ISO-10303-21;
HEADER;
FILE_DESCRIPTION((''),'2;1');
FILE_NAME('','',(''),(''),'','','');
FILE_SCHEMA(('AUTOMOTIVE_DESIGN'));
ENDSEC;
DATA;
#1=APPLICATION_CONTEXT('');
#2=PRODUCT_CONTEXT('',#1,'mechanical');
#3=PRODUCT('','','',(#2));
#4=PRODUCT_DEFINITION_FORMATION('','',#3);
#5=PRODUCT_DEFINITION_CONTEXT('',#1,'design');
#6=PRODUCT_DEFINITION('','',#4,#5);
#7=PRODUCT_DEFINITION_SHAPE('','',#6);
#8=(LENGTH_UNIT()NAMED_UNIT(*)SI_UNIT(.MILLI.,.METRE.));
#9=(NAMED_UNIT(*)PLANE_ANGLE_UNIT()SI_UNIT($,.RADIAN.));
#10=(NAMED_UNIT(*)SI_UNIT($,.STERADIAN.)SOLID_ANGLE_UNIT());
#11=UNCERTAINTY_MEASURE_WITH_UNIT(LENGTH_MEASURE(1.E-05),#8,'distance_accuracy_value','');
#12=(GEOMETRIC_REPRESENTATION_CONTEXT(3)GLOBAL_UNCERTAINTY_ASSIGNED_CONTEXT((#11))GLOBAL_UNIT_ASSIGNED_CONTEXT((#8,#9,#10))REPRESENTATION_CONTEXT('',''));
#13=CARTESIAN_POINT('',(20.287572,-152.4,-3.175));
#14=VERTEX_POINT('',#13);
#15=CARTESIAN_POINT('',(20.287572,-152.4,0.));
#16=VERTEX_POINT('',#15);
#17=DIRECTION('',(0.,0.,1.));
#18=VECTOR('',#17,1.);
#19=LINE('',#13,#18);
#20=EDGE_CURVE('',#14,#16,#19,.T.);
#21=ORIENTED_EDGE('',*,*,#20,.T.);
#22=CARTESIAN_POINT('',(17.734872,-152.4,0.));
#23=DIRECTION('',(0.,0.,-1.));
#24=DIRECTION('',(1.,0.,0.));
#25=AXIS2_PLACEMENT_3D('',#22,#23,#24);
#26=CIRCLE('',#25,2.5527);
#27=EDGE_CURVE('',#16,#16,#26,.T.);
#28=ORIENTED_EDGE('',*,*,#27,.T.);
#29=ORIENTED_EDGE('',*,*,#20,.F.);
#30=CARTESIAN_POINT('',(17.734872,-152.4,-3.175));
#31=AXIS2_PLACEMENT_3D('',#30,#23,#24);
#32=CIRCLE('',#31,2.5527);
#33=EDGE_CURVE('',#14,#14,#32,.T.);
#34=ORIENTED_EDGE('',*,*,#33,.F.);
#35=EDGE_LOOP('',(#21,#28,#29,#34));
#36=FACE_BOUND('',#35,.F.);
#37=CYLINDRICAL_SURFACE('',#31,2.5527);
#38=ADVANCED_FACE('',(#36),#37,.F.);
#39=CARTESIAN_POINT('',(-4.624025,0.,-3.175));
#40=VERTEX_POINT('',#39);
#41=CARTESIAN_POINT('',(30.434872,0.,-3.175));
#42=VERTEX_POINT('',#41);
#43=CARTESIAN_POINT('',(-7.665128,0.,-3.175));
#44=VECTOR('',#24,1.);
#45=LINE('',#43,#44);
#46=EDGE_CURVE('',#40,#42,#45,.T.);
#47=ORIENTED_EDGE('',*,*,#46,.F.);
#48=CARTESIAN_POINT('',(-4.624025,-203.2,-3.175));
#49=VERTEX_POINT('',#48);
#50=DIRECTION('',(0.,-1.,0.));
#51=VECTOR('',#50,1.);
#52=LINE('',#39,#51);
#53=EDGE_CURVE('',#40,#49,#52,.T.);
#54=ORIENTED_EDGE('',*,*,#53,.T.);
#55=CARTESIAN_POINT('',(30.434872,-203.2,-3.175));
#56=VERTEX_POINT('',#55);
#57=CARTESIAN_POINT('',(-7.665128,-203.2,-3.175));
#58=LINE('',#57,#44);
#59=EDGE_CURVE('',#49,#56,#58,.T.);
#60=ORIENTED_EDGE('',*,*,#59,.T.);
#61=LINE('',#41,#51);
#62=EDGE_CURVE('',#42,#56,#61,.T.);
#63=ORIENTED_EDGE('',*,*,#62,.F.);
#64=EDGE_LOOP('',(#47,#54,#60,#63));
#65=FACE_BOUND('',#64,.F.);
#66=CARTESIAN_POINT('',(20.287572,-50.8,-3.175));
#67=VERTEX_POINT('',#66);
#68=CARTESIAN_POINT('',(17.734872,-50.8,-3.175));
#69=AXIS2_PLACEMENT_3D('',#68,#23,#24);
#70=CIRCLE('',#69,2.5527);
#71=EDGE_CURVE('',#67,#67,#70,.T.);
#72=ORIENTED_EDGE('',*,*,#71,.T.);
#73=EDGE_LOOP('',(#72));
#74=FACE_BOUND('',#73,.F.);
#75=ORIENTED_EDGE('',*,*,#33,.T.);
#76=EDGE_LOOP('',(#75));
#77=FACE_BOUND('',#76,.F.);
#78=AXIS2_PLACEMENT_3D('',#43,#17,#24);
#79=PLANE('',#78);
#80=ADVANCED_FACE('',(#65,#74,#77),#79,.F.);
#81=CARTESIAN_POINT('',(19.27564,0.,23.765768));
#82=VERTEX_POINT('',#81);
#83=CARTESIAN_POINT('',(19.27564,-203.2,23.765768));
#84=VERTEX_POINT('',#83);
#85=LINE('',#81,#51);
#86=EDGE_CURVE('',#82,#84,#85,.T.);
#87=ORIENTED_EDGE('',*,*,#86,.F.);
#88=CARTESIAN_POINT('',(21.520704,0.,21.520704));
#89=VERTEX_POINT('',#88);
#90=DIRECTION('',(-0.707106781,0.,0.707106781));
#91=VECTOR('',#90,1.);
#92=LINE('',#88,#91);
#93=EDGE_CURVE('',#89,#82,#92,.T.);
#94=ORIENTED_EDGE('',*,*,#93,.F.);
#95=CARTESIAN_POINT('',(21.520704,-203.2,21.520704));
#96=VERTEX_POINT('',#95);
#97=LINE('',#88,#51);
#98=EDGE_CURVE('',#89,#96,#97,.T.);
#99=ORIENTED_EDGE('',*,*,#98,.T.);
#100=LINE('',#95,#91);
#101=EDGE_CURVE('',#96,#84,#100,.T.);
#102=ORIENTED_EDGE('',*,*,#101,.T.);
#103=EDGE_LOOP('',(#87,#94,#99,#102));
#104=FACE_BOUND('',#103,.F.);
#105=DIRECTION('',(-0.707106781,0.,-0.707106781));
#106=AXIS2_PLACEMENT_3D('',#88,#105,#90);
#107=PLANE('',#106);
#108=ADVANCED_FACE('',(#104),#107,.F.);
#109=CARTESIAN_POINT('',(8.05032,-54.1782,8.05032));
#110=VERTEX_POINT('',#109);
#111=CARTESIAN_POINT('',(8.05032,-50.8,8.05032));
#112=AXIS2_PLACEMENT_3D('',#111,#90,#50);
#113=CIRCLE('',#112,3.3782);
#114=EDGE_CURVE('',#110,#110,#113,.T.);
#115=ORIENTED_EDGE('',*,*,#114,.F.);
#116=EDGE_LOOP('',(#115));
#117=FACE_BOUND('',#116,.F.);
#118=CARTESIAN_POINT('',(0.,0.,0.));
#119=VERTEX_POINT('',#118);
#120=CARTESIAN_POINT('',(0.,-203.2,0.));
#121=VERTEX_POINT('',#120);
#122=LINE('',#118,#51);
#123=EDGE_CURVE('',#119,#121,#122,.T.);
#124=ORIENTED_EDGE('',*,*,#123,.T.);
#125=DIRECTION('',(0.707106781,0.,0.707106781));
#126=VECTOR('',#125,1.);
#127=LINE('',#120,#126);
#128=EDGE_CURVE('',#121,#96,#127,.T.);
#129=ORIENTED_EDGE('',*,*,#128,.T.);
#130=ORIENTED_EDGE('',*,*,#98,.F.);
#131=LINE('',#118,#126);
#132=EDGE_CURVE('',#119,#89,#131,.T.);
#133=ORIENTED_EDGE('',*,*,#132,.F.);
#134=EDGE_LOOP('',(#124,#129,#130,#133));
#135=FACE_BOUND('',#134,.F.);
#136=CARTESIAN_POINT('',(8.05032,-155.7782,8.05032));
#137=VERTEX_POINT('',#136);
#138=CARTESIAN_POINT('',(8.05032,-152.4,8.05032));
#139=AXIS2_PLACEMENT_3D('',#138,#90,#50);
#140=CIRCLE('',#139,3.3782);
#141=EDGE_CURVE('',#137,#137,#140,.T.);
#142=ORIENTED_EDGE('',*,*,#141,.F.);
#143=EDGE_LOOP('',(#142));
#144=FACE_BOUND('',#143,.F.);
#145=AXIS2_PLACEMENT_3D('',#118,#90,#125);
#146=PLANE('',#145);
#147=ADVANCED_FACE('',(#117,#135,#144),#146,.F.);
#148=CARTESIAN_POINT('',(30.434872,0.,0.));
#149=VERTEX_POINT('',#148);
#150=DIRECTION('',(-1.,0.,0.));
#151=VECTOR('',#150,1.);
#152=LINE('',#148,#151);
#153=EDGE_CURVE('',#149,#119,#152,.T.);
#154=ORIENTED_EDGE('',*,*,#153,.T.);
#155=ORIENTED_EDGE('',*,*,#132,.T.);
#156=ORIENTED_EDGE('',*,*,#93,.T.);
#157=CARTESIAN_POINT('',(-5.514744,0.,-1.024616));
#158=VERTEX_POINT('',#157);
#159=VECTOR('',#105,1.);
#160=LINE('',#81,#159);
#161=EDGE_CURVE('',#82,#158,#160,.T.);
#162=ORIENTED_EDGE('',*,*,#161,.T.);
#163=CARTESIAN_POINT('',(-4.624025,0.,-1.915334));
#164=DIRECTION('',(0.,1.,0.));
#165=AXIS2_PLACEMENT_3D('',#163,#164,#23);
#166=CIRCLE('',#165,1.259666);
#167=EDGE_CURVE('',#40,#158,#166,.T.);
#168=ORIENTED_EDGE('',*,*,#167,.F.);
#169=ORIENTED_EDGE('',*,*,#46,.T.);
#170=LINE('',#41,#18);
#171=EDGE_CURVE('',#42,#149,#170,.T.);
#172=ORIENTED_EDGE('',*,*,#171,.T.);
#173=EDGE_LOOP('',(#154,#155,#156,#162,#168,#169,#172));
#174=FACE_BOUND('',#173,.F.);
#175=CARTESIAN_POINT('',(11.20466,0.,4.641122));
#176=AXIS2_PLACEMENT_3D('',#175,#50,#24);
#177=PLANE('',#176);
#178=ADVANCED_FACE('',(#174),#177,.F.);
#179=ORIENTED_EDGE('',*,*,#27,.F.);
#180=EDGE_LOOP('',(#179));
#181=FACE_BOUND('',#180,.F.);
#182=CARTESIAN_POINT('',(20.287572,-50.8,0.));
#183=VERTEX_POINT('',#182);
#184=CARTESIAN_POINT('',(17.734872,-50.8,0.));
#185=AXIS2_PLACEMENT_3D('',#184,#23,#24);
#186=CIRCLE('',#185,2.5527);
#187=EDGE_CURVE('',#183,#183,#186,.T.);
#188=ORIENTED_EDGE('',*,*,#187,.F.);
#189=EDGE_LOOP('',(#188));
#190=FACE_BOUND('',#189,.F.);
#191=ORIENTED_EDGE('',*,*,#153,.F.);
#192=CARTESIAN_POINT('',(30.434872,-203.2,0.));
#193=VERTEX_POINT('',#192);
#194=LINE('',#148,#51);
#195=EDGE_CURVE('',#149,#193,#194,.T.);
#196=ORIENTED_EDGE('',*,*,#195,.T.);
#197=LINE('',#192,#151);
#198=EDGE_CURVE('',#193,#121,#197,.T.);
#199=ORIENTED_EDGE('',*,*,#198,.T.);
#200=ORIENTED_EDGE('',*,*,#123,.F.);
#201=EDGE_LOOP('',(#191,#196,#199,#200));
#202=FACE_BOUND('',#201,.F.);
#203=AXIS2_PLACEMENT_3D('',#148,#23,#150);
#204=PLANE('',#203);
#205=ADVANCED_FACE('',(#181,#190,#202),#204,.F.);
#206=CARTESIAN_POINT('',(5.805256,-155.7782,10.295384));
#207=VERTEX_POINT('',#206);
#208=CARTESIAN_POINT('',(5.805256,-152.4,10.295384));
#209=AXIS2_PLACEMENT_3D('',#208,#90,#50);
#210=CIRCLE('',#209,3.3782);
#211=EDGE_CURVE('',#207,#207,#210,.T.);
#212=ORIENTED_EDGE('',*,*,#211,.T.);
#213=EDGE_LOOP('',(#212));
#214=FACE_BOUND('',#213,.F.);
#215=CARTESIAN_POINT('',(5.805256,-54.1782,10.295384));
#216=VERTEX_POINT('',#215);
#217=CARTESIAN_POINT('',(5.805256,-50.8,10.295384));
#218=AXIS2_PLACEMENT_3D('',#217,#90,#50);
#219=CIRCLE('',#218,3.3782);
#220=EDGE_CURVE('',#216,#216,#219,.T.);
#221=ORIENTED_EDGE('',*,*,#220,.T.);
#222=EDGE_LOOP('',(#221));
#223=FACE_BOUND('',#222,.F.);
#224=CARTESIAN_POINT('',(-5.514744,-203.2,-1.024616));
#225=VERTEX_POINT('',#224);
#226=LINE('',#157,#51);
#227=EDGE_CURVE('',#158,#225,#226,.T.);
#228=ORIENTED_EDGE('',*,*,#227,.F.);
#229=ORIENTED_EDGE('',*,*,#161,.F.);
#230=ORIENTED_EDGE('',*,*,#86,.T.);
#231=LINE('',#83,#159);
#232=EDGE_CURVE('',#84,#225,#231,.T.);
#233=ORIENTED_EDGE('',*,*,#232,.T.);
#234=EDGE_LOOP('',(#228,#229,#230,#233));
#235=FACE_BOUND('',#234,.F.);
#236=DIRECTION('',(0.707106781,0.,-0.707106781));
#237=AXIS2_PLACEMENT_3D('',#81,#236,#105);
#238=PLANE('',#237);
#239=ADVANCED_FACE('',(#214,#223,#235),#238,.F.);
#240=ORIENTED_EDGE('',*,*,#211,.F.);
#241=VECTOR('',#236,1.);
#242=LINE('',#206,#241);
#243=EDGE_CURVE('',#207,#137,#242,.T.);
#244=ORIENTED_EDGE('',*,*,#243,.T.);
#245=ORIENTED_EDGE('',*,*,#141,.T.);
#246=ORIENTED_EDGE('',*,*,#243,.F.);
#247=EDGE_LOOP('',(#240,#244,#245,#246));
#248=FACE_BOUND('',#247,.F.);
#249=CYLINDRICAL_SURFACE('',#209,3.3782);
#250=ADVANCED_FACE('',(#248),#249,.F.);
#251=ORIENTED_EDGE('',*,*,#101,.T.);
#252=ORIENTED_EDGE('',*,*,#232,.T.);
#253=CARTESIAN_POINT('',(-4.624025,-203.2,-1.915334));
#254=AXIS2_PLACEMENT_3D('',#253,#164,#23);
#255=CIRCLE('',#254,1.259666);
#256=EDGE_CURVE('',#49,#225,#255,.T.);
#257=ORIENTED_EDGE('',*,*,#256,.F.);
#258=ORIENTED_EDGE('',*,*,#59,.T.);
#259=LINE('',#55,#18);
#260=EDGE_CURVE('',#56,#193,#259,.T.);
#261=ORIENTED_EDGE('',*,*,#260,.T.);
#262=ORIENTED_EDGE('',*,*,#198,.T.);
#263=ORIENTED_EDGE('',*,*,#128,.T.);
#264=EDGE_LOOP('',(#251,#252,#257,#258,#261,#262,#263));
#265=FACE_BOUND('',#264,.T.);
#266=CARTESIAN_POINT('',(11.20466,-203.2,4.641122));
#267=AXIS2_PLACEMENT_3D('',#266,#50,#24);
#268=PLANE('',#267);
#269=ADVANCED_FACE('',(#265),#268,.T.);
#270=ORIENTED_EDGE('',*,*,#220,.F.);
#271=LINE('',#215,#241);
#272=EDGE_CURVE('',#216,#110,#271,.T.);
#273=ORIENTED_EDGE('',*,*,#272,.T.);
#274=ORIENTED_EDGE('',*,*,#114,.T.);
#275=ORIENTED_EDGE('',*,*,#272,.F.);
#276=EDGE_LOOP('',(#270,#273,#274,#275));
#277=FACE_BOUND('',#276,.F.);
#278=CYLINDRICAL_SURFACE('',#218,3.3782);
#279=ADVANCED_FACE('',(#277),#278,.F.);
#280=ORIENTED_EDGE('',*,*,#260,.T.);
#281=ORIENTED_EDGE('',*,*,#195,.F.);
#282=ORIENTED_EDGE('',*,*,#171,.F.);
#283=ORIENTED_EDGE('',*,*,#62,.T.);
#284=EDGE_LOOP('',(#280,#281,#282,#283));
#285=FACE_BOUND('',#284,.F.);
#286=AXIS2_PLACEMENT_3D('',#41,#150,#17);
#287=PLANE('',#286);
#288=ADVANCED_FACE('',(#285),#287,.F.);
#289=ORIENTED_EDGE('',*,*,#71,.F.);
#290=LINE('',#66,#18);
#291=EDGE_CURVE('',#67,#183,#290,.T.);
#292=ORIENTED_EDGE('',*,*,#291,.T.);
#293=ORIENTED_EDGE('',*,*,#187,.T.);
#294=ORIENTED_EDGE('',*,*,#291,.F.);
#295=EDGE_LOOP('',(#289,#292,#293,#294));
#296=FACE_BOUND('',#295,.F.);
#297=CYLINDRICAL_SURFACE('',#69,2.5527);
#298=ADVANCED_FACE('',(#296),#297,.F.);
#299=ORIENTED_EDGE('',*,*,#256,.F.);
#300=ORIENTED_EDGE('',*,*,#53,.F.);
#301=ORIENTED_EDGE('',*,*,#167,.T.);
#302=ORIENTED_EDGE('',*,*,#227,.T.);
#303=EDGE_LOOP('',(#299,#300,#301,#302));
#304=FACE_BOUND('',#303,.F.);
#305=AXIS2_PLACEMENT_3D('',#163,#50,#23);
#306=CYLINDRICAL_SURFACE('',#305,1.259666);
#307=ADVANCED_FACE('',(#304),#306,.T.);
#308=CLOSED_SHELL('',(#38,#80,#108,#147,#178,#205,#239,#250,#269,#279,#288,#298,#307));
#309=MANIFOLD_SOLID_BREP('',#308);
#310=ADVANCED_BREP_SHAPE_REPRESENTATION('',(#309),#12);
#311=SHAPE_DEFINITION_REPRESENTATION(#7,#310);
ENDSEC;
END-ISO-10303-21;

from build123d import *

# Parameters (mm, degrees)
F1_DEPTH = 203.2
F2_R     = 3.3782
F3_DEPTH = 3.175
F4_R     = 2.5527
F5_DEPTH = 3.175
F6_R     = 1.259666


with BuildPart() as f1:
    # F0 (on Front) → F1 (new body)
    with BuildSketch(Plane.XZ):
        Polygon((30.434872, 0), (0, 0), (21.520704, 21.520704), (19.27564, 23.765768), (-7.665128, -3.175), (30.434872, -3.175), align=None)
    extrude(amount=F1_DEPTH)

    # F2 (on face) → F3 (cut, through all)
    with BuildSketch(Plane(origin=(-2.245064, 0, 2.245064), x_dir=(0, -1, 0), z_dir=(-0.707107, 0, 0.707107))):
        with Locations((50.8, 11.384872)):
            Circle(F2_R)
        with Locations((152.4, 11.384872)):
            Circle(F2_R)
    extrude(amount=-F3_DEPTH, mode=Mode.SUBTRACT)

    # F4 (on face) → F5 (cut, through all)
    with BuildSketch(Plane(origin=(0, 0, -3.175), x_dir=(1, 0, 0), z_dir=(0, 0, -1))):
        with Locations((17.734872, 152.4)):
            Circle(F4_R)
        with Locations((17.734872, 50.8)):
            Circle(F4_R)
    extrude(amount=-F5_DEPTH, mode=Mode.SUBTRACT)

    # F6
    f6_edges = [f1.edges().sort_by_distance(p)[0] for p in [
        (-7.665128, -101.6, -3.175),
    ]]
    fillet(f6_edges, radius=F6_R)


solid = f1.part
